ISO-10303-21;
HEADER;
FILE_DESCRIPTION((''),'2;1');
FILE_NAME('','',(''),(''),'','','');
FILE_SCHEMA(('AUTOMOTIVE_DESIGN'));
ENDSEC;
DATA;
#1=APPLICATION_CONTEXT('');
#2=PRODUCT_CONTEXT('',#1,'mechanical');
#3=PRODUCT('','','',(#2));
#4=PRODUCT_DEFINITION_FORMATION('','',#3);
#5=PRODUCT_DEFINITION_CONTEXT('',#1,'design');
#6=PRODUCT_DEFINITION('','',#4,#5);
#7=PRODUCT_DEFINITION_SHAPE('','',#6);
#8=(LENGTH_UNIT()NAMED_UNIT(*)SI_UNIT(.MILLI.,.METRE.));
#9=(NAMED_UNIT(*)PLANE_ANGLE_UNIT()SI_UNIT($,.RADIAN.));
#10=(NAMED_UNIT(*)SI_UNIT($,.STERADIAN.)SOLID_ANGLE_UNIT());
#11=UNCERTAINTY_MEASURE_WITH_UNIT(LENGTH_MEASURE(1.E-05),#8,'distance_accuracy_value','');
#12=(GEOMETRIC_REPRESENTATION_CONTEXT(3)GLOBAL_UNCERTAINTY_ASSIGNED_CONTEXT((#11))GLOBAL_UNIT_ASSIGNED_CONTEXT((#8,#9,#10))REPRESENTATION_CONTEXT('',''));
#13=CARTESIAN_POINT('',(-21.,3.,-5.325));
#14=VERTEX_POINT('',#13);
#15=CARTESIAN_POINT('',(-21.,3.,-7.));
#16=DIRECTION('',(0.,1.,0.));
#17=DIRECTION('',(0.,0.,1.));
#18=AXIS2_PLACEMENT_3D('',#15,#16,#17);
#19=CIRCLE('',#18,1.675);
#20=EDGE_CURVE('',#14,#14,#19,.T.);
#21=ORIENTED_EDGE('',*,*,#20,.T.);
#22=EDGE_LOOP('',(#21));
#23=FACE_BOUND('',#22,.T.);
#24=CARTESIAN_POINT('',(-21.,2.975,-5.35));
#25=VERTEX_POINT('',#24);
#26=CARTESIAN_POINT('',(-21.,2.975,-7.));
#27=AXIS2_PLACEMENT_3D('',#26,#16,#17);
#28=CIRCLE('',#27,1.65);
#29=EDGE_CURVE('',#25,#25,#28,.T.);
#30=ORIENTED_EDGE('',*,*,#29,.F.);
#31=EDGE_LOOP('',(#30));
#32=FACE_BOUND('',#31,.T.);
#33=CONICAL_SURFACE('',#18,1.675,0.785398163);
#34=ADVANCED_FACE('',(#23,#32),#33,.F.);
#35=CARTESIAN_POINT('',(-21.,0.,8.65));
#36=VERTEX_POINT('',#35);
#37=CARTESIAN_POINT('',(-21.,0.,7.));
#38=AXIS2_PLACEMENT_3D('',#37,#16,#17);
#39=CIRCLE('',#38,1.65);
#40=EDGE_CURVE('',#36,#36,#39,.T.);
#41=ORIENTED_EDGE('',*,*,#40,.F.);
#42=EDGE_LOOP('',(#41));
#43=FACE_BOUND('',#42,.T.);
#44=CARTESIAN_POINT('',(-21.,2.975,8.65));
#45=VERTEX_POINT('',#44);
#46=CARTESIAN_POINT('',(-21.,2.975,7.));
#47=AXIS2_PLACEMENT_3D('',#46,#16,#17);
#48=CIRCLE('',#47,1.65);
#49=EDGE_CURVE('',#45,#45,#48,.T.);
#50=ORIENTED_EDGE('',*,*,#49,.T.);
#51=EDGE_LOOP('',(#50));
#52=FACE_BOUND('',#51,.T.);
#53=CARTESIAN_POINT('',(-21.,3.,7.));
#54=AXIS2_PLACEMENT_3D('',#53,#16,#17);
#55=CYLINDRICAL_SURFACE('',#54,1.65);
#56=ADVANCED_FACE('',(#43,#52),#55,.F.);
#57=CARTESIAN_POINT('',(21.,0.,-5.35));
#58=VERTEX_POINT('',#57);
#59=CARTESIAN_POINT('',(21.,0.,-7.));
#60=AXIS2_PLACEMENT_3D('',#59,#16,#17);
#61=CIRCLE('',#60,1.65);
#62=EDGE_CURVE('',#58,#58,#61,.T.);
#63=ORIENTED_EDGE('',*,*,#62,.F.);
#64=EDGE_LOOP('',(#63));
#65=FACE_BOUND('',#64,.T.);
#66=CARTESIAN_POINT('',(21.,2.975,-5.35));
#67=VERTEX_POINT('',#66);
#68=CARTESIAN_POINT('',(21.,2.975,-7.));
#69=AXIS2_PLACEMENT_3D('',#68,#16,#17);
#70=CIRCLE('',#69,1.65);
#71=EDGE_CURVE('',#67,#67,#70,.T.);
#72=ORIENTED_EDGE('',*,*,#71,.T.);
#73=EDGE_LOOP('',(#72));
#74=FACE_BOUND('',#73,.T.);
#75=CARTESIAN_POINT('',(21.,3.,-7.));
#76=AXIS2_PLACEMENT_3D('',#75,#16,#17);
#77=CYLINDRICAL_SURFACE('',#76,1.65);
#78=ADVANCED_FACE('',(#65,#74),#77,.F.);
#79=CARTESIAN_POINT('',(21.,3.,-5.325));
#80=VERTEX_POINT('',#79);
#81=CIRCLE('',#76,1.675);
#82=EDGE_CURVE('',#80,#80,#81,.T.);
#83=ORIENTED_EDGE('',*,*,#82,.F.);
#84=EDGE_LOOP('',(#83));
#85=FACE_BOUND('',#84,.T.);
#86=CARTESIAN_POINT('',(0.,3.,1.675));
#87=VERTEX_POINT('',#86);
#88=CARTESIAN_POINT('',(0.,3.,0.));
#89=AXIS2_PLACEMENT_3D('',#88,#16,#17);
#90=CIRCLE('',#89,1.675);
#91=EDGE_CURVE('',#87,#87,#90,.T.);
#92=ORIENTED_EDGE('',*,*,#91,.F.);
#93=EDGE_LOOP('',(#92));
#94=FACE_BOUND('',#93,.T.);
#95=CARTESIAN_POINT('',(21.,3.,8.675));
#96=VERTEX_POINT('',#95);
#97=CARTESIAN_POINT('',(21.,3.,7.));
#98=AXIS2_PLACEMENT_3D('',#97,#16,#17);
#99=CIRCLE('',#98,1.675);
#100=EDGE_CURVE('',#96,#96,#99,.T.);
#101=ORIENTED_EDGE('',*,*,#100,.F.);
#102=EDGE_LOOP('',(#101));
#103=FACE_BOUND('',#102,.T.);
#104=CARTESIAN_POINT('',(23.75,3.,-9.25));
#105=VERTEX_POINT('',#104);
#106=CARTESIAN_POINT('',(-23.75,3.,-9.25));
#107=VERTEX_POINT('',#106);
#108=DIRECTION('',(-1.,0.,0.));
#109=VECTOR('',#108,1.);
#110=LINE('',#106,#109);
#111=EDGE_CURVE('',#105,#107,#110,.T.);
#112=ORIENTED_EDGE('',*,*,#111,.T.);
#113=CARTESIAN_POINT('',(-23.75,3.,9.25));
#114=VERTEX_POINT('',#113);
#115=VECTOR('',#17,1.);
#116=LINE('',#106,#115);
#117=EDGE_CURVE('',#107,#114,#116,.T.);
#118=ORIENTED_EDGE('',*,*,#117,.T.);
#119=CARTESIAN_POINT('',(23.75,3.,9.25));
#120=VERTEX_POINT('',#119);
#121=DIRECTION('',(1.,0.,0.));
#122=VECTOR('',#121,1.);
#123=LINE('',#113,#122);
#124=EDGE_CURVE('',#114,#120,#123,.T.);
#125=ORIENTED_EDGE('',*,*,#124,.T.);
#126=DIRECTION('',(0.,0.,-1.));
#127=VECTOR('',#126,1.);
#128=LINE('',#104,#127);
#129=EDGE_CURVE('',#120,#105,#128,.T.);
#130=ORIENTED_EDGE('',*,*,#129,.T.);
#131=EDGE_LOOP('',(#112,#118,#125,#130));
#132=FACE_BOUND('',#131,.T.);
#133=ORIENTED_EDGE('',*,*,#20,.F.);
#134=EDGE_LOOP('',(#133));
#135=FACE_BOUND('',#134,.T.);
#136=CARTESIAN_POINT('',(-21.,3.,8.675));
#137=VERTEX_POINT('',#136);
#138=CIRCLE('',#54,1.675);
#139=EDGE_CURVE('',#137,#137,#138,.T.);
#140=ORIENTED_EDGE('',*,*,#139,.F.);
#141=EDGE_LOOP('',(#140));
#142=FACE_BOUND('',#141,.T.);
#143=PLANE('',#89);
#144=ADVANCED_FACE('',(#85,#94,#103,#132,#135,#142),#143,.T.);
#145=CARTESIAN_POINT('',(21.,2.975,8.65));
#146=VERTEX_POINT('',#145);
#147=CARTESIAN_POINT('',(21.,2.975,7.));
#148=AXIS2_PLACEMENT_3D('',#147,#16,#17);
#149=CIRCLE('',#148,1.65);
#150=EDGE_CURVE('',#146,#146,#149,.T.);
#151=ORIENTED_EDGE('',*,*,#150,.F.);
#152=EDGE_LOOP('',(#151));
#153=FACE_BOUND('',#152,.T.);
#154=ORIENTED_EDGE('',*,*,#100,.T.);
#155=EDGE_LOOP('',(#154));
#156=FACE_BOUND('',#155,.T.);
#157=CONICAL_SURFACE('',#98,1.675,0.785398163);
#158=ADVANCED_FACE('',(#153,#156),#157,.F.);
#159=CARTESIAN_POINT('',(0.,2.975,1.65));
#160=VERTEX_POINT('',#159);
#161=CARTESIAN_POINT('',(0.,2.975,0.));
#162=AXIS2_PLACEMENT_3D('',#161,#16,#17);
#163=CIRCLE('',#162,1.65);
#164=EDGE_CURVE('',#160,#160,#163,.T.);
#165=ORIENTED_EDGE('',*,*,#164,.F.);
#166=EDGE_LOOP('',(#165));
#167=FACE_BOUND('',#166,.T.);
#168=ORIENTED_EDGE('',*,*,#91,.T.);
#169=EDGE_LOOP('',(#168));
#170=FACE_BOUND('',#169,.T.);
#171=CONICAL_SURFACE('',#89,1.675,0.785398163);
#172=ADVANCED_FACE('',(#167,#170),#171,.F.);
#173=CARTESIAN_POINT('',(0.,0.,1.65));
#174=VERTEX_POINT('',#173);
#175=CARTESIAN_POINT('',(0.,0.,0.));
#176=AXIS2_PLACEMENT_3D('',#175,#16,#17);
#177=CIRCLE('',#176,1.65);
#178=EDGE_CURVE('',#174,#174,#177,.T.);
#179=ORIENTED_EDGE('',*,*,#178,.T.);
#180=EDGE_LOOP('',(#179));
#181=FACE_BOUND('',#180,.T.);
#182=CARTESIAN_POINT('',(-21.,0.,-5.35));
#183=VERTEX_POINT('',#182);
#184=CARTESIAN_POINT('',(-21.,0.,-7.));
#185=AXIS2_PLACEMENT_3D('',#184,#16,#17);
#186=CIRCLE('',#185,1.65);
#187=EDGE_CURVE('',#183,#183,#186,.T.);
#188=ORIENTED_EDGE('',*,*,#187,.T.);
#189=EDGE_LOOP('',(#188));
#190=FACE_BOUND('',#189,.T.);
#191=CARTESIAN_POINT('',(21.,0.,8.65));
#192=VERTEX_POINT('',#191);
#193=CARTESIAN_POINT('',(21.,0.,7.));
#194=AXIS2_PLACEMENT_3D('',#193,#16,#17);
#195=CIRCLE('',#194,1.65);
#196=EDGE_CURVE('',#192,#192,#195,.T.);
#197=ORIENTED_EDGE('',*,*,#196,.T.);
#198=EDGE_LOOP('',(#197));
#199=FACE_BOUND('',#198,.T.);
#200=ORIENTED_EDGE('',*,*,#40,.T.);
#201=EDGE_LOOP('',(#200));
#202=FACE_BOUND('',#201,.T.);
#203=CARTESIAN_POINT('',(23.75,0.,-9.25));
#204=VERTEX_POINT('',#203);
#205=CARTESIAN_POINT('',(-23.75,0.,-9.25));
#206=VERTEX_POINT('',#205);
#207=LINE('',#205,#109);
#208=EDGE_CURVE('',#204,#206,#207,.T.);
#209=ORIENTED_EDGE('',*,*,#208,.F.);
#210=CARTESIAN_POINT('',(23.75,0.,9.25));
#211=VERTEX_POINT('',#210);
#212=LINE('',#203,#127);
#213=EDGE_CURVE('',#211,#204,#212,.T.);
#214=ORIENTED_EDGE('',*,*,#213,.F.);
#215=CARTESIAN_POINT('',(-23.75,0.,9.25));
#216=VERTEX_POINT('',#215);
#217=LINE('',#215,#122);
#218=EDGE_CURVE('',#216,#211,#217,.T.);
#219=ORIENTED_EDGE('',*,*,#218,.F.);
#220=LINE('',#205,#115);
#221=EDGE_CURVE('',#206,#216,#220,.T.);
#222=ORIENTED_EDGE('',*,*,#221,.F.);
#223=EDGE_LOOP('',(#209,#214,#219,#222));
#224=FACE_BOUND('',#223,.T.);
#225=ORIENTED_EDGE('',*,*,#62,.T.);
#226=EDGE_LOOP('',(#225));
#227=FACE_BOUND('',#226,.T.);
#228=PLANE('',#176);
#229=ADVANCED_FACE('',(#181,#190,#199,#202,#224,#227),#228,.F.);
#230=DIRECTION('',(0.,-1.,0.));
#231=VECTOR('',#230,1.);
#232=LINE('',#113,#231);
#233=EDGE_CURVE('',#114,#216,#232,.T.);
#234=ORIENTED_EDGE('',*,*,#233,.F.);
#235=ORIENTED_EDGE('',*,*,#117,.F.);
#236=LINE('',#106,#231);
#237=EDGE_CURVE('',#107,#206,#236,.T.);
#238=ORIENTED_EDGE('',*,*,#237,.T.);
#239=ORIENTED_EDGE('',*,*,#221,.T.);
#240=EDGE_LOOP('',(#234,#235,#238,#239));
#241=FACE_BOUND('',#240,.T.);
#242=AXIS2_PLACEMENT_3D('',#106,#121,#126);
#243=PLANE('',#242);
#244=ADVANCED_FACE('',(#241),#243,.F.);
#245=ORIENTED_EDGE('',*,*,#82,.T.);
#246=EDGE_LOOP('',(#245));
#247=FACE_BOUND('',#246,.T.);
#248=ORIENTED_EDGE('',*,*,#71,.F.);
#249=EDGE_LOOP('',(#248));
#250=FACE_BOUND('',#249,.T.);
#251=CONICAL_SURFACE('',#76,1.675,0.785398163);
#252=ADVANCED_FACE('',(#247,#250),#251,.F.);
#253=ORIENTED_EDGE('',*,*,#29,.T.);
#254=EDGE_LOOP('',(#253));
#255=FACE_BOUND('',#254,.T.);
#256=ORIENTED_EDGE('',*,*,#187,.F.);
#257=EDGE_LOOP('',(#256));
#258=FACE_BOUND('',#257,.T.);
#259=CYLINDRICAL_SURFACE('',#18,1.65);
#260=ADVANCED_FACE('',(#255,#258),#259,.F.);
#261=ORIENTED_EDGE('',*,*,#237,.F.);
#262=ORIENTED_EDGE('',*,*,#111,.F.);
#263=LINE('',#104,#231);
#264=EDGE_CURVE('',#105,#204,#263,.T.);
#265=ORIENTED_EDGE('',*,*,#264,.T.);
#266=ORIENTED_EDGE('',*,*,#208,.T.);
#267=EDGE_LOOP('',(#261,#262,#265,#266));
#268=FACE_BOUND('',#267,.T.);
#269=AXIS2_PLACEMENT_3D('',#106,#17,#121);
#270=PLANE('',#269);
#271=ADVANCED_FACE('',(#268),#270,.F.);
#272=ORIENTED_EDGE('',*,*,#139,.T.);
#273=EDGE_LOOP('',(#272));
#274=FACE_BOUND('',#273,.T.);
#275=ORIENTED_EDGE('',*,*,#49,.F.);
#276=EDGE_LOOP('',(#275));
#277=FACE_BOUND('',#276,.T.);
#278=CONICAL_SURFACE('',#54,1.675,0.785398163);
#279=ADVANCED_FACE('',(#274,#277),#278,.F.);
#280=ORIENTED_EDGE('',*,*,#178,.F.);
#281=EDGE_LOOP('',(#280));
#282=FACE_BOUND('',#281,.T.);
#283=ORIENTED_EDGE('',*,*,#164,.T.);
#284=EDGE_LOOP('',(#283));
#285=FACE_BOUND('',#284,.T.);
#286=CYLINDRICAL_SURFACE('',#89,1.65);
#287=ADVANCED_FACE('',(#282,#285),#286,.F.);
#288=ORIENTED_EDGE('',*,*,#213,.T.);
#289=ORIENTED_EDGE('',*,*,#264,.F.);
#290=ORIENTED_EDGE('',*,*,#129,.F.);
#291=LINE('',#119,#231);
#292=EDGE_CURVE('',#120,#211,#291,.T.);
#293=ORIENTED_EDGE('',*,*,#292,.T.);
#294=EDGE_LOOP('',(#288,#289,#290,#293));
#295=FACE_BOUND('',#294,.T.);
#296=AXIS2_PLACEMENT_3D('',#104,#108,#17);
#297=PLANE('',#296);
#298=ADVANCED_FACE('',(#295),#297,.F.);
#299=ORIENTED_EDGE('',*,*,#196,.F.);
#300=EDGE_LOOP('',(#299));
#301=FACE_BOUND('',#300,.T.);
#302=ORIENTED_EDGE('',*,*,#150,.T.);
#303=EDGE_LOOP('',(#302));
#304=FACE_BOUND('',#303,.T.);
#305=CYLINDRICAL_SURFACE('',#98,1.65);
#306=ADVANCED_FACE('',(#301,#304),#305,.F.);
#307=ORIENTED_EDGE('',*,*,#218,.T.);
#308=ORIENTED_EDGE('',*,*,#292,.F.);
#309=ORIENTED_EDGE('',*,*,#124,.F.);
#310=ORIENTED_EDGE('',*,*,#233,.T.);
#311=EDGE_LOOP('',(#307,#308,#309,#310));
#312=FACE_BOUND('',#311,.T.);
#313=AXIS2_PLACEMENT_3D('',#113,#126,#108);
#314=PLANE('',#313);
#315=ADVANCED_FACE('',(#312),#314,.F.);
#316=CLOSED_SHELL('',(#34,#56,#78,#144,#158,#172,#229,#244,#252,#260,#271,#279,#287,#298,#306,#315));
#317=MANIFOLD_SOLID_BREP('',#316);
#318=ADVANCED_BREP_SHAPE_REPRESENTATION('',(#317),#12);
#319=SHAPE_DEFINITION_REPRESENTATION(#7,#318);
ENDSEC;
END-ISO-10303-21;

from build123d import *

# Parameters (mm, degrees)
SKETCH1_W                            = 47.5
SKETCH1_H                            = 18.5
BOSS_EXTRUDE1_DEPTH                  = 3
F_3_3_3_3_DIAMETER_HOLE1_D           = 3.3
F_3_3_3_3_DIAMETER_HOLE1_CSINK_D     = 3.35
F_3_3_3_3_DIAMETER_HOLE1_CSINK_ANGLE = 90


with BuildPart() as part:
    # Sketch1 → Boss-Extrude1 (new body)
    with BuildSketch(Plane(origin=(0, 0, 0), x_dir=(1, 0, 0), z_dir=(0, 1, 0))):
        Rectangle(SKETCH1_W, SKETCH1_H)
    extrude(amount=BOSS_EXTRUDE1_DEPTH)

    # Ø3.3 (3.3) Diameter Hole1 (through all)
    with Locations(Plane(origin=(0, 3, 0), x_dir=(1, 0, 0), z_dir=(0, 1, 0))):
        with Locations((0, 0), (21, -7), (-21, 7), (-21, -7), (21, 7)):
            CounterSinkHole(F_3_3_3_3_DIAMETER_HOLE1_D / 2, F_3_3_3_3_DIAMETER_HOLE1_CSINK_D / 2, counter_sink_angle=F_3_3_3_3_DIAMETER_HOLE1_CSINK_ANGLE)


solid = part.part
